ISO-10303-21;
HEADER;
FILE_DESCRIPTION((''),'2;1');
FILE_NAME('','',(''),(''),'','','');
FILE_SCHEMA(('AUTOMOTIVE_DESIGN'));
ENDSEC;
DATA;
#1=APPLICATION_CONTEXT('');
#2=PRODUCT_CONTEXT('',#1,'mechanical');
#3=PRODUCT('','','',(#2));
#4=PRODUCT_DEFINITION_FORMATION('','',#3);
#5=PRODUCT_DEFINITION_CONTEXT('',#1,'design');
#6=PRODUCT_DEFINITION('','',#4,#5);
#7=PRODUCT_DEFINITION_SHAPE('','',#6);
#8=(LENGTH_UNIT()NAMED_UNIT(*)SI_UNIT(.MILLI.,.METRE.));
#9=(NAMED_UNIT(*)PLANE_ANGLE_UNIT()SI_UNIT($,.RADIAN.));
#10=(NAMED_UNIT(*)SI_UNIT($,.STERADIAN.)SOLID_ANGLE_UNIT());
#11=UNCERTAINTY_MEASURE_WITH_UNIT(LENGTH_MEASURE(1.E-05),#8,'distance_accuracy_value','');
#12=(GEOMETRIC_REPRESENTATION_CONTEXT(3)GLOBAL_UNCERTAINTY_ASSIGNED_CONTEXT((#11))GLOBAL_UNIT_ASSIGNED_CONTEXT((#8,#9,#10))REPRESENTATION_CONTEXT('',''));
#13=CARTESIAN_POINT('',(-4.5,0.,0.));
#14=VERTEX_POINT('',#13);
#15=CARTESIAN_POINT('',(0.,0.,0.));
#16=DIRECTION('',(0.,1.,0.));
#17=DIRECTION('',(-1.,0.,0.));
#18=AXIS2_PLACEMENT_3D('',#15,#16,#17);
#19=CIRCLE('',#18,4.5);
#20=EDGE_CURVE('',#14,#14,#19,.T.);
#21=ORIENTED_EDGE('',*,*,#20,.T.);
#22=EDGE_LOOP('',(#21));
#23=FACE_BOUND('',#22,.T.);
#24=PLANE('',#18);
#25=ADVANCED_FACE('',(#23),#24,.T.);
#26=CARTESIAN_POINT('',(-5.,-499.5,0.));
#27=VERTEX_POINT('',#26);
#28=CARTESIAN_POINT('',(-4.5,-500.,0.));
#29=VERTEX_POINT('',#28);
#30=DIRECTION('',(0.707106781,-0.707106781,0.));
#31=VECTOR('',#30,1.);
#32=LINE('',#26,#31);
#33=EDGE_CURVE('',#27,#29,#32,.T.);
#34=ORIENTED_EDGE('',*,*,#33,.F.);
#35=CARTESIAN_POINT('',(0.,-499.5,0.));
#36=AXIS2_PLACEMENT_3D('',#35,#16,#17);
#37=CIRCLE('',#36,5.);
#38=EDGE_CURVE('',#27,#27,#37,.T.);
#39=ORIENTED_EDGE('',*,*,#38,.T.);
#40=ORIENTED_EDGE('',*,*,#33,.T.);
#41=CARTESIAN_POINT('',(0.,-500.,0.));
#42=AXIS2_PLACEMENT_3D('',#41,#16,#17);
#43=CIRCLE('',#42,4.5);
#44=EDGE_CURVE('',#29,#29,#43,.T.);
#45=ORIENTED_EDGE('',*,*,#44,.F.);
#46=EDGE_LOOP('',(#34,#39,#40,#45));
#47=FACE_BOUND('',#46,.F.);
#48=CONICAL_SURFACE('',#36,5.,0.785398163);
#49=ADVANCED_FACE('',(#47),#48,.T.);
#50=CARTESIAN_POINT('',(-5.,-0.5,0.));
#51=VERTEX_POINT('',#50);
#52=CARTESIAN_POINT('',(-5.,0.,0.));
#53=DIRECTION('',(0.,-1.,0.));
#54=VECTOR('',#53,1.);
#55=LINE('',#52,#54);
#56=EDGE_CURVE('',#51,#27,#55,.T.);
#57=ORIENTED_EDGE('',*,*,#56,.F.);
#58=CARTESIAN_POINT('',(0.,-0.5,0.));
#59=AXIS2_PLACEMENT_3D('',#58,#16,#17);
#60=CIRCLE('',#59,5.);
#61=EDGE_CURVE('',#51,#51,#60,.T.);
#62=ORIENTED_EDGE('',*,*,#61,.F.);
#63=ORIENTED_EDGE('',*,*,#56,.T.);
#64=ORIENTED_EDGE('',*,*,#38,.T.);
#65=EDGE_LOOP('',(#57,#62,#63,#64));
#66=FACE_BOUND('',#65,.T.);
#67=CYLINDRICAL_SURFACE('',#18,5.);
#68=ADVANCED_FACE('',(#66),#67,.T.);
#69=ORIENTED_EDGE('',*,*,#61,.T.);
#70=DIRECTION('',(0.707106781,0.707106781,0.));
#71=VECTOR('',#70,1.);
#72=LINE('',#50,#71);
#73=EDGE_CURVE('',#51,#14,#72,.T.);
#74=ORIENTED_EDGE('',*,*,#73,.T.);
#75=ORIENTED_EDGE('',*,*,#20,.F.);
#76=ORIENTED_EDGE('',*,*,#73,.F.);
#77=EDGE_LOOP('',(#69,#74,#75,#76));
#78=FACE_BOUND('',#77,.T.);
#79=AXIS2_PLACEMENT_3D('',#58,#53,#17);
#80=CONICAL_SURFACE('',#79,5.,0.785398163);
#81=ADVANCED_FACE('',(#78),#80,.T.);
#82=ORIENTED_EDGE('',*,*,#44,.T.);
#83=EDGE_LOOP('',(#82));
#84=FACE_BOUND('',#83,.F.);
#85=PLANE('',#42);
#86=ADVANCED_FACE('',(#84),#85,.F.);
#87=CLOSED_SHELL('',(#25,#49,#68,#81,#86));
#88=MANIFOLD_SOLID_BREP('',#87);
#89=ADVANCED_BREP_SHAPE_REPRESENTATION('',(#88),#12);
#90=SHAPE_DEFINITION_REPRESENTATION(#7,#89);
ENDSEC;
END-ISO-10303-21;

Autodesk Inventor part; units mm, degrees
ref_plane "YZ Plane" through (0, 0, 0) normal (1, 0, 0) x (0, 1, 0)
ref_plane "XZ Plane" through (0, 0, 0) normal (0, 1, 0) x (-1, 0, 0)
ref_plane "XY Plane" through (0, 0, 0) normal (0, 0, 1) x (1, 0, 0)
sketch "Sketch1" plane through (0, 0, 0) normal (0, 1, 0) x (-1, 0, 0)
  circle A0 centre (0, 0) radius 5
  dimension "d0" = 10
extrude "Extrusion1" add sketch "Sketch1" against normal blind 500
chamfer "Chamfer1" distance 0.5 angle 45 2 edges at (5, 0, 0) (5, -500, 0)
properties part number "fc17-140" material "Stainless Steel"
